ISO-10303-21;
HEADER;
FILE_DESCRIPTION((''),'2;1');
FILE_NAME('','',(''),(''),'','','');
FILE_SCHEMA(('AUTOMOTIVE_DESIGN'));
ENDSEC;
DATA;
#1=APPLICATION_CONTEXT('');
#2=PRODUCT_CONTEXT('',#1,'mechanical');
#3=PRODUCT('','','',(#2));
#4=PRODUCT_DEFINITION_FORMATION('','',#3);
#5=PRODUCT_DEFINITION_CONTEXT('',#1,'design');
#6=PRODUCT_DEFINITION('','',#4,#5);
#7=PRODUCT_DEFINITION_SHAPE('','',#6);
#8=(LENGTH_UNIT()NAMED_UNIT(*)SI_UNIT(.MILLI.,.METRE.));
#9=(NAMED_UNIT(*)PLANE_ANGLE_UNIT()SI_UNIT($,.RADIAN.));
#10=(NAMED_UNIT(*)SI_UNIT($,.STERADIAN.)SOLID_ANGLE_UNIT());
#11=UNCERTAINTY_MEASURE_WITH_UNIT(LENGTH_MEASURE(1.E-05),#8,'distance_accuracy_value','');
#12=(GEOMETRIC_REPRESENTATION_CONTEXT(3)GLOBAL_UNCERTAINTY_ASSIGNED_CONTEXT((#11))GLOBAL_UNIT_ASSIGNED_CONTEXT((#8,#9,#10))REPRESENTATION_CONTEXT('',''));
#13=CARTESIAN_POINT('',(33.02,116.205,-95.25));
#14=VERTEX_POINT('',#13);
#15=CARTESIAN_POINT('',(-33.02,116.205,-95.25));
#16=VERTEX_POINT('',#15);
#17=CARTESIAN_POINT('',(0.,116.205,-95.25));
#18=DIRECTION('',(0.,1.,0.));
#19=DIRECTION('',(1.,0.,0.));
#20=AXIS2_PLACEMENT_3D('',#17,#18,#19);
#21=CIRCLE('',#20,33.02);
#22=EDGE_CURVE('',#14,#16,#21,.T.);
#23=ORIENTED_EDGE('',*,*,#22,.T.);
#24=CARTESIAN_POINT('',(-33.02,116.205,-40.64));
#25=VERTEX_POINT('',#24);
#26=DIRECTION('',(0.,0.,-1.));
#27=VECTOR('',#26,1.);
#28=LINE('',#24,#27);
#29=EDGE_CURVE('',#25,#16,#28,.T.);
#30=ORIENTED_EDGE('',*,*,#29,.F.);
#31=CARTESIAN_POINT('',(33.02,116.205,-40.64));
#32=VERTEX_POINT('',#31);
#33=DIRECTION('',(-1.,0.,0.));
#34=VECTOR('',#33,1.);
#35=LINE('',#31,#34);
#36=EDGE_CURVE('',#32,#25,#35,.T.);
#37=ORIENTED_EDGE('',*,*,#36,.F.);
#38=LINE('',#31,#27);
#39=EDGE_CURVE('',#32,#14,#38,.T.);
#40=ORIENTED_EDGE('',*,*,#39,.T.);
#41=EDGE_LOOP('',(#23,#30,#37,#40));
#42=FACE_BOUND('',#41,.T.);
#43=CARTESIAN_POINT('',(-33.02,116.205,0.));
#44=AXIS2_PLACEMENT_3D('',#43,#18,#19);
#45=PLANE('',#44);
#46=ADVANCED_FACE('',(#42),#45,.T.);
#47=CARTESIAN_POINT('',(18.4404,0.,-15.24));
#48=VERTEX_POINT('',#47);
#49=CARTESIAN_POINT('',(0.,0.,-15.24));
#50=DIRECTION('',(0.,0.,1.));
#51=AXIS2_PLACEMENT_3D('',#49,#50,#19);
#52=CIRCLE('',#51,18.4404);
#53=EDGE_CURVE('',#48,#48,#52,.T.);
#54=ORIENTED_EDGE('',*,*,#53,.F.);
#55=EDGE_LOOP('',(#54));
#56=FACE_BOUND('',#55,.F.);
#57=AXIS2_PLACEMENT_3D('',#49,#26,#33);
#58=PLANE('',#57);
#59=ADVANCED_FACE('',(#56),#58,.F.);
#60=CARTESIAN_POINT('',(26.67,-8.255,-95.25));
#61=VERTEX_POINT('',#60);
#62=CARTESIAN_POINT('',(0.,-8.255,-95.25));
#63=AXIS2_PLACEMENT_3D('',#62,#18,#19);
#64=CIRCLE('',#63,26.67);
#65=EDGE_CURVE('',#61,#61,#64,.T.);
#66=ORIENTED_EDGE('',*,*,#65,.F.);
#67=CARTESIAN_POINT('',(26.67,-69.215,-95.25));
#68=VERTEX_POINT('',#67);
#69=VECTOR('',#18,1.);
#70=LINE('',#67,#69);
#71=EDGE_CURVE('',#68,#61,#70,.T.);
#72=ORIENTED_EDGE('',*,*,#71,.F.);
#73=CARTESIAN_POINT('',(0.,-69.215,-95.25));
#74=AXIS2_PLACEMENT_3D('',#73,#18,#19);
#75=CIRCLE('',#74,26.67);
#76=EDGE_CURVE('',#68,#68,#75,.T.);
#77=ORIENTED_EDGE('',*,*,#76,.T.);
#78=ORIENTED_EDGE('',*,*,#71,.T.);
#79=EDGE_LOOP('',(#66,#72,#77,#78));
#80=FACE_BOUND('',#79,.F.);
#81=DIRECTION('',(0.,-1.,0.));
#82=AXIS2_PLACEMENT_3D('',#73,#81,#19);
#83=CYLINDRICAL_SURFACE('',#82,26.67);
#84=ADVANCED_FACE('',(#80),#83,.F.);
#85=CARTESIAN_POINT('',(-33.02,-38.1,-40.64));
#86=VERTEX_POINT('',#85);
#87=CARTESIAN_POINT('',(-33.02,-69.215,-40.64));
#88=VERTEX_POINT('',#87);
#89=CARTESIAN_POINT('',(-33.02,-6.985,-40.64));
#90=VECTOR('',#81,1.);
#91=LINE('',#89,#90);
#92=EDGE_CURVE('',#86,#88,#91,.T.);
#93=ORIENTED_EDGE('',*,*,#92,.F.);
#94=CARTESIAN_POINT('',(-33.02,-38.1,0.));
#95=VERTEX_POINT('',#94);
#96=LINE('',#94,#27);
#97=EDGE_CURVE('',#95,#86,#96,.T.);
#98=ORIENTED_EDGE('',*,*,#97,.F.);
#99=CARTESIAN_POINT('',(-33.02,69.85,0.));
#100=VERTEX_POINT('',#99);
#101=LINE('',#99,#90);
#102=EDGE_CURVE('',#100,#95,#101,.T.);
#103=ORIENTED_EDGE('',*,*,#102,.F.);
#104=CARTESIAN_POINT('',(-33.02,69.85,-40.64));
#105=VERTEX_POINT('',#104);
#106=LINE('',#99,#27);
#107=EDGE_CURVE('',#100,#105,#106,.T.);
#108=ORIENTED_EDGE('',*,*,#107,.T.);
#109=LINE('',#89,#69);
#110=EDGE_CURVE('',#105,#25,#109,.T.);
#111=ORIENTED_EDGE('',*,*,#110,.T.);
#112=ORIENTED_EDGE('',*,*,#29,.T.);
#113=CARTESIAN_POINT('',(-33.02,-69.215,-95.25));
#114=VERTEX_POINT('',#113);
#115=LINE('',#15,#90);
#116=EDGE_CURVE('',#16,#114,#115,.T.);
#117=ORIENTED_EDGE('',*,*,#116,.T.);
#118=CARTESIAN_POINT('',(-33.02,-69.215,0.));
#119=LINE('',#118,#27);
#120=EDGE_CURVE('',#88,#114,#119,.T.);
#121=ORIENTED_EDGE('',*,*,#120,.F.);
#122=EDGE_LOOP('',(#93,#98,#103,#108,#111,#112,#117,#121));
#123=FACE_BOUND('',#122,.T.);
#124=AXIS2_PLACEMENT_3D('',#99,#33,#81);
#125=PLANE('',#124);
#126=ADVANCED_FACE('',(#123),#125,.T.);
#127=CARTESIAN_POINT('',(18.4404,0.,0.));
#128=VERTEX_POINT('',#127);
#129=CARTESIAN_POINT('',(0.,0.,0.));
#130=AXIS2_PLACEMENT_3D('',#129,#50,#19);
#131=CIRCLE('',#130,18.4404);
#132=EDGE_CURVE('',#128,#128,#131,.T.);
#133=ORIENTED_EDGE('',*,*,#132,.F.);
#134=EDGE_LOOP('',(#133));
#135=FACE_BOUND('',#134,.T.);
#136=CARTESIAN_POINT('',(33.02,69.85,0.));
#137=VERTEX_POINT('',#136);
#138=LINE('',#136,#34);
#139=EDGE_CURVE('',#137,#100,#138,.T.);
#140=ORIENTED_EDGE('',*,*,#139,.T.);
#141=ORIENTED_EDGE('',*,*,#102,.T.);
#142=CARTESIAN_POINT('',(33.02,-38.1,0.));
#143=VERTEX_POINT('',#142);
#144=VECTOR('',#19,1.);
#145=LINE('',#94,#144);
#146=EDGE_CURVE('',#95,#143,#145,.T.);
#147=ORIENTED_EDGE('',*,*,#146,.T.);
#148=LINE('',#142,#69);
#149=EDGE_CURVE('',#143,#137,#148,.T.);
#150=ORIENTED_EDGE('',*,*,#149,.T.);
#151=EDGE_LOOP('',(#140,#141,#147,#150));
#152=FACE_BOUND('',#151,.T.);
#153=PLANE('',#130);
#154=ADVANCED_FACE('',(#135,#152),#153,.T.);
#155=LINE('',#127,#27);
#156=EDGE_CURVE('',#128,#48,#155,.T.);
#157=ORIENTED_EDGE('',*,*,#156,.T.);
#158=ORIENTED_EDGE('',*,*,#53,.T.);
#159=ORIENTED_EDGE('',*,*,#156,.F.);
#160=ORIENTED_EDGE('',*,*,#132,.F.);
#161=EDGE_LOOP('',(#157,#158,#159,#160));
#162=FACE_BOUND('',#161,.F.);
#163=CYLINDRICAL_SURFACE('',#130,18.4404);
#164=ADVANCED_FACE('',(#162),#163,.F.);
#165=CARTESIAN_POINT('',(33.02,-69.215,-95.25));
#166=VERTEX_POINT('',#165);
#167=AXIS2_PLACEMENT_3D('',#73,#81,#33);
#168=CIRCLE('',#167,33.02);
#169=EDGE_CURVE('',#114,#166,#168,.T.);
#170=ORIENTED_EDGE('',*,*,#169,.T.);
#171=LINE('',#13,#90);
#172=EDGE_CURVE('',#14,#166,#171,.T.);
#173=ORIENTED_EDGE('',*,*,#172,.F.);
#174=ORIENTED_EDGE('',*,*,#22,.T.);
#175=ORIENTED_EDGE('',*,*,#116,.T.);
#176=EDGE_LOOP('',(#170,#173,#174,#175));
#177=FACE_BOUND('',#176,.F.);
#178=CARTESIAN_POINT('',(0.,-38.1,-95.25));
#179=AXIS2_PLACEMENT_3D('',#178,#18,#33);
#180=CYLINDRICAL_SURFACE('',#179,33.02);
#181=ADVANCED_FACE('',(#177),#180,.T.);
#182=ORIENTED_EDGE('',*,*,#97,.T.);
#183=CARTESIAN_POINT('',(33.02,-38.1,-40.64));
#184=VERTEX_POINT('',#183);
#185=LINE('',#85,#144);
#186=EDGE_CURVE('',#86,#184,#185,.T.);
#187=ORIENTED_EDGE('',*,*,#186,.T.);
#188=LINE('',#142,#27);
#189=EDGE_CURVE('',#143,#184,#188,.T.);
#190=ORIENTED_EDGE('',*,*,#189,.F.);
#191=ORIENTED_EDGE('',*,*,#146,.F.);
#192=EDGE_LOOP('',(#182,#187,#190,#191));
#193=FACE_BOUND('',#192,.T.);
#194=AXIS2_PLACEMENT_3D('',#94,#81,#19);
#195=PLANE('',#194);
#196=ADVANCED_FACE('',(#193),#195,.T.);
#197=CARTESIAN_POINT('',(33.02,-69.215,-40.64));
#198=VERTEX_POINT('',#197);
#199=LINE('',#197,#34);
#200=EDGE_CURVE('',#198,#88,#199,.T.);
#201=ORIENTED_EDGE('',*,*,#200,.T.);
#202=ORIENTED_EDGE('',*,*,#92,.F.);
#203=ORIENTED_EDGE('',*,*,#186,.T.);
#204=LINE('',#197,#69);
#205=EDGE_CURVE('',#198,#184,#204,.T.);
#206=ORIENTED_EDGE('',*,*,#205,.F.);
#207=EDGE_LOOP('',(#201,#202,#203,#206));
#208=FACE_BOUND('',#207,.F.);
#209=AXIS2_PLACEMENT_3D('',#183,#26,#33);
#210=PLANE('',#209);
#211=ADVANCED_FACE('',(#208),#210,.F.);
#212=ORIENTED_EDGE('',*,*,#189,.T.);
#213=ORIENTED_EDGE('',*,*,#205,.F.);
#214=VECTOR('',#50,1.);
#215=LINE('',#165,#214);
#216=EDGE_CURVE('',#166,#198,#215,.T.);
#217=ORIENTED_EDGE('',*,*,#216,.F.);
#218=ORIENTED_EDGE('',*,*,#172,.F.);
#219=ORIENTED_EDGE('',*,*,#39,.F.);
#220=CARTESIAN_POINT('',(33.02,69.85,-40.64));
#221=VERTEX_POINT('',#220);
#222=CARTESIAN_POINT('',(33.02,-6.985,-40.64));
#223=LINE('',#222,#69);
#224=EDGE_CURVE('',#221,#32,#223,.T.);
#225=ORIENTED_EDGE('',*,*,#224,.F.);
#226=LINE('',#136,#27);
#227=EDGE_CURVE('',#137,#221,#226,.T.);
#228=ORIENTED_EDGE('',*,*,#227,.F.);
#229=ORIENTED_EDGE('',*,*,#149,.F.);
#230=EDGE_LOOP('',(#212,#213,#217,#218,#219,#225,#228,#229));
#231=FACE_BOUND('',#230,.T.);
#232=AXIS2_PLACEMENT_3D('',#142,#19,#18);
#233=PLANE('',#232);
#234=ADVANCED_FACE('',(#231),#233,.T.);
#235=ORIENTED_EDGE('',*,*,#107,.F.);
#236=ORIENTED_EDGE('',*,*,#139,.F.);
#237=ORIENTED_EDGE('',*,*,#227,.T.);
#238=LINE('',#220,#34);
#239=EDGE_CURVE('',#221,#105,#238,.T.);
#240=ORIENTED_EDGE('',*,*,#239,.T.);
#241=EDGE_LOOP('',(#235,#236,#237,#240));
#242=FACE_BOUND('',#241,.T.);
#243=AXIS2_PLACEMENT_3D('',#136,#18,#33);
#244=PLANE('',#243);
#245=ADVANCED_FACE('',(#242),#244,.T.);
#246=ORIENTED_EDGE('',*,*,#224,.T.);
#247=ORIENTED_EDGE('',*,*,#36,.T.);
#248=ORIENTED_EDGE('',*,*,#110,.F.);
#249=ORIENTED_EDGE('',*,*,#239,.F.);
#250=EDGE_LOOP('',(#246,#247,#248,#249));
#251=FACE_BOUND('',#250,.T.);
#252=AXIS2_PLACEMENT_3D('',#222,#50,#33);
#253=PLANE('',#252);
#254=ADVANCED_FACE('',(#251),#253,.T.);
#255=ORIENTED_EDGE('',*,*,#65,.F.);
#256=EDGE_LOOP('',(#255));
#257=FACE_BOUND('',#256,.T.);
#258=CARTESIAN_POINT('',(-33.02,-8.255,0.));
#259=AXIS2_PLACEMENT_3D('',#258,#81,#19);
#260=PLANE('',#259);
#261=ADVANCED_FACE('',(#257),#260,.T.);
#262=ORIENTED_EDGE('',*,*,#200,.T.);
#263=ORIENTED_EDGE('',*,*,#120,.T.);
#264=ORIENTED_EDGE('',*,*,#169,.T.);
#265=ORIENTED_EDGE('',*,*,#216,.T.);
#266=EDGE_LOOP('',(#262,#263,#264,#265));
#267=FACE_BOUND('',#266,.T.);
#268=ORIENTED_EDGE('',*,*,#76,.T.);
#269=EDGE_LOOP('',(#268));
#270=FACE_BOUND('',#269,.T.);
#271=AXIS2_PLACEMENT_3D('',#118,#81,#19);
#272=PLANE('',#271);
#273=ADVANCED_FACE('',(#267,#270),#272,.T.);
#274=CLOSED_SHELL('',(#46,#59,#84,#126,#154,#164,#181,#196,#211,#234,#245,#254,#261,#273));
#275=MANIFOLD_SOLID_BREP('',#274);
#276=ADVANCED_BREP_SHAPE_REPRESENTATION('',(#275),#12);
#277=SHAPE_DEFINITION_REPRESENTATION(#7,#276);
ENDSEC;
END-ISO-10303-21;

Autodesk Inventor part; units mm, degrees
ref_plane "YZ Plane" through (0, 0, 0) normal (1, 0, 0) x (0, 1, 0)
ref_plane "XZ Plane" through (0, 0, 0) normal (0, 1, 0) x (-1, 0, 0)
ref_plane "XY Plane" through (0, 0, 0) normal (0, 0, 1) x (1, 0, 0)
sketch "Sketch1" plane through (0, 0, 0) normal (0, 0, 1) x (1, 0, 0)
  circle A0 centre (0, 0) radius 18.4404
  line L0 (-33.02, -38.1) -> (33.02, -38.1)
  line L1 (33.02, -38.1) -> (33.02, 69.85)
  line L2 (33.02, 69.85) -> (-33.02, 69.85)
  line L3 (-33.02, 69.85) -> (-33.02, -38.1)
  dimension "d0" = 36.8808
  dimension "d1" = 66.04
  dimension "d2" = 107.95
  dimension "d3" = 33.02
  dimension "d4" = 38.1
extrude "Extrusion1" add sketch "Sketch1" against normal blind 40.64
sketch "Sketch2" plane through (0, 0, -40.64) normal (0, 0, -1) x (-1, 0, 0)
  circle A0 centre (0, 0) radius 25.1006
extrude "Extrusion2" add sketch "Sketch2" against normal blind 25.4
sketch "Sketch3" plane through (-33.02, -38.1, 0) normal (0, -1, 0) x (1, 0, 0)
  line L0 (0, 0) -> (66.04, 0) projected
  line L1 (66.04, 0) -> (0, 0)
  line L2 (0, 0) -> (0, -95.25)
  line L3 (0, -95.25) -> (66.04, -95.25)
  line L4 (66.04, -95.25) -> (66.04, 0)
  line L5 (66.04, -40.64) -> (0, -40.64)
  arc A0 (0, -95.25) -> (66.04, -95.25) centre (33.02, -95.25) ccw
  line L6 (0, -40.64) -> (66.04, -40.64) projected
  line L7 (0, -40.64) -> (66.04, -40.64)
  line L8 (66.04, -40.64) -> (66.04, -95.25)
  line L9 (66.04, -95.25) -> (0, -95.25)
  line L10 (0, -95.25) -> (0, -40.64)
  point P0 (33.02, 0)
  dimension "d9" = 54.61
extrude "Extrusion3" add sketch "Sketch3" along normal mid plane 62.23 contours L5 L4 L3 L2 | L3 A0
sketch "Sketch4" plane through (-33.02, -38.1, 0) normal (0, -1, 0) x (1, 0, 0)
  point P0 (33.02, 0)
sketch "Sketch5" plane through (-33.02, -6.985, 0) normal (0, 1, 0) x (1, 0, 0)
  arc A0 (66.04, 95.25) -> (0, 95.25) centre (33.02, 95.25) ccw projected
  line L0 (66.04, 40.64) -> (66.04, 95.25) projected
  line L1 (0, 95.25) -> (66.04, 95.25)
  line L2 (66.04, 95.25) -> (66.04, 40.64)
  line L3 (66.04, 40.64) -> (0, 40.64)
  line L4 (0, 40.64) -> (0, 95.25)
  arc A1 (66.04, 95.25) -> (0, 95.25) centre (33.02, 95.25) ccw
  point P0 (33.02, 0)
extrude "Extrusion4" add sketch "Sketch5" along normal blind 123.19
sketch "Sketch6" plane through (-33.02, -69.215, 0) normal (0, -1, 0) x (1, 0, 0)
  arc A0 (0, -95.25) -> (66.04, -95.25) centre (33.02, -95.25) ccw projected
  line L0 (0, -95.25) -> (33.02, -95.25)
  circle A1 centre (33.02, -95.25) radius 26.67
  point P0 (33.02, 0)
  dimension "d16" = 53.34
extrude "Extrusion5" cut sketch "Sketch6" against normal blind 60.96
equation "\"d3\" = 0.5 * d1"
properties part number "Wrist1"
